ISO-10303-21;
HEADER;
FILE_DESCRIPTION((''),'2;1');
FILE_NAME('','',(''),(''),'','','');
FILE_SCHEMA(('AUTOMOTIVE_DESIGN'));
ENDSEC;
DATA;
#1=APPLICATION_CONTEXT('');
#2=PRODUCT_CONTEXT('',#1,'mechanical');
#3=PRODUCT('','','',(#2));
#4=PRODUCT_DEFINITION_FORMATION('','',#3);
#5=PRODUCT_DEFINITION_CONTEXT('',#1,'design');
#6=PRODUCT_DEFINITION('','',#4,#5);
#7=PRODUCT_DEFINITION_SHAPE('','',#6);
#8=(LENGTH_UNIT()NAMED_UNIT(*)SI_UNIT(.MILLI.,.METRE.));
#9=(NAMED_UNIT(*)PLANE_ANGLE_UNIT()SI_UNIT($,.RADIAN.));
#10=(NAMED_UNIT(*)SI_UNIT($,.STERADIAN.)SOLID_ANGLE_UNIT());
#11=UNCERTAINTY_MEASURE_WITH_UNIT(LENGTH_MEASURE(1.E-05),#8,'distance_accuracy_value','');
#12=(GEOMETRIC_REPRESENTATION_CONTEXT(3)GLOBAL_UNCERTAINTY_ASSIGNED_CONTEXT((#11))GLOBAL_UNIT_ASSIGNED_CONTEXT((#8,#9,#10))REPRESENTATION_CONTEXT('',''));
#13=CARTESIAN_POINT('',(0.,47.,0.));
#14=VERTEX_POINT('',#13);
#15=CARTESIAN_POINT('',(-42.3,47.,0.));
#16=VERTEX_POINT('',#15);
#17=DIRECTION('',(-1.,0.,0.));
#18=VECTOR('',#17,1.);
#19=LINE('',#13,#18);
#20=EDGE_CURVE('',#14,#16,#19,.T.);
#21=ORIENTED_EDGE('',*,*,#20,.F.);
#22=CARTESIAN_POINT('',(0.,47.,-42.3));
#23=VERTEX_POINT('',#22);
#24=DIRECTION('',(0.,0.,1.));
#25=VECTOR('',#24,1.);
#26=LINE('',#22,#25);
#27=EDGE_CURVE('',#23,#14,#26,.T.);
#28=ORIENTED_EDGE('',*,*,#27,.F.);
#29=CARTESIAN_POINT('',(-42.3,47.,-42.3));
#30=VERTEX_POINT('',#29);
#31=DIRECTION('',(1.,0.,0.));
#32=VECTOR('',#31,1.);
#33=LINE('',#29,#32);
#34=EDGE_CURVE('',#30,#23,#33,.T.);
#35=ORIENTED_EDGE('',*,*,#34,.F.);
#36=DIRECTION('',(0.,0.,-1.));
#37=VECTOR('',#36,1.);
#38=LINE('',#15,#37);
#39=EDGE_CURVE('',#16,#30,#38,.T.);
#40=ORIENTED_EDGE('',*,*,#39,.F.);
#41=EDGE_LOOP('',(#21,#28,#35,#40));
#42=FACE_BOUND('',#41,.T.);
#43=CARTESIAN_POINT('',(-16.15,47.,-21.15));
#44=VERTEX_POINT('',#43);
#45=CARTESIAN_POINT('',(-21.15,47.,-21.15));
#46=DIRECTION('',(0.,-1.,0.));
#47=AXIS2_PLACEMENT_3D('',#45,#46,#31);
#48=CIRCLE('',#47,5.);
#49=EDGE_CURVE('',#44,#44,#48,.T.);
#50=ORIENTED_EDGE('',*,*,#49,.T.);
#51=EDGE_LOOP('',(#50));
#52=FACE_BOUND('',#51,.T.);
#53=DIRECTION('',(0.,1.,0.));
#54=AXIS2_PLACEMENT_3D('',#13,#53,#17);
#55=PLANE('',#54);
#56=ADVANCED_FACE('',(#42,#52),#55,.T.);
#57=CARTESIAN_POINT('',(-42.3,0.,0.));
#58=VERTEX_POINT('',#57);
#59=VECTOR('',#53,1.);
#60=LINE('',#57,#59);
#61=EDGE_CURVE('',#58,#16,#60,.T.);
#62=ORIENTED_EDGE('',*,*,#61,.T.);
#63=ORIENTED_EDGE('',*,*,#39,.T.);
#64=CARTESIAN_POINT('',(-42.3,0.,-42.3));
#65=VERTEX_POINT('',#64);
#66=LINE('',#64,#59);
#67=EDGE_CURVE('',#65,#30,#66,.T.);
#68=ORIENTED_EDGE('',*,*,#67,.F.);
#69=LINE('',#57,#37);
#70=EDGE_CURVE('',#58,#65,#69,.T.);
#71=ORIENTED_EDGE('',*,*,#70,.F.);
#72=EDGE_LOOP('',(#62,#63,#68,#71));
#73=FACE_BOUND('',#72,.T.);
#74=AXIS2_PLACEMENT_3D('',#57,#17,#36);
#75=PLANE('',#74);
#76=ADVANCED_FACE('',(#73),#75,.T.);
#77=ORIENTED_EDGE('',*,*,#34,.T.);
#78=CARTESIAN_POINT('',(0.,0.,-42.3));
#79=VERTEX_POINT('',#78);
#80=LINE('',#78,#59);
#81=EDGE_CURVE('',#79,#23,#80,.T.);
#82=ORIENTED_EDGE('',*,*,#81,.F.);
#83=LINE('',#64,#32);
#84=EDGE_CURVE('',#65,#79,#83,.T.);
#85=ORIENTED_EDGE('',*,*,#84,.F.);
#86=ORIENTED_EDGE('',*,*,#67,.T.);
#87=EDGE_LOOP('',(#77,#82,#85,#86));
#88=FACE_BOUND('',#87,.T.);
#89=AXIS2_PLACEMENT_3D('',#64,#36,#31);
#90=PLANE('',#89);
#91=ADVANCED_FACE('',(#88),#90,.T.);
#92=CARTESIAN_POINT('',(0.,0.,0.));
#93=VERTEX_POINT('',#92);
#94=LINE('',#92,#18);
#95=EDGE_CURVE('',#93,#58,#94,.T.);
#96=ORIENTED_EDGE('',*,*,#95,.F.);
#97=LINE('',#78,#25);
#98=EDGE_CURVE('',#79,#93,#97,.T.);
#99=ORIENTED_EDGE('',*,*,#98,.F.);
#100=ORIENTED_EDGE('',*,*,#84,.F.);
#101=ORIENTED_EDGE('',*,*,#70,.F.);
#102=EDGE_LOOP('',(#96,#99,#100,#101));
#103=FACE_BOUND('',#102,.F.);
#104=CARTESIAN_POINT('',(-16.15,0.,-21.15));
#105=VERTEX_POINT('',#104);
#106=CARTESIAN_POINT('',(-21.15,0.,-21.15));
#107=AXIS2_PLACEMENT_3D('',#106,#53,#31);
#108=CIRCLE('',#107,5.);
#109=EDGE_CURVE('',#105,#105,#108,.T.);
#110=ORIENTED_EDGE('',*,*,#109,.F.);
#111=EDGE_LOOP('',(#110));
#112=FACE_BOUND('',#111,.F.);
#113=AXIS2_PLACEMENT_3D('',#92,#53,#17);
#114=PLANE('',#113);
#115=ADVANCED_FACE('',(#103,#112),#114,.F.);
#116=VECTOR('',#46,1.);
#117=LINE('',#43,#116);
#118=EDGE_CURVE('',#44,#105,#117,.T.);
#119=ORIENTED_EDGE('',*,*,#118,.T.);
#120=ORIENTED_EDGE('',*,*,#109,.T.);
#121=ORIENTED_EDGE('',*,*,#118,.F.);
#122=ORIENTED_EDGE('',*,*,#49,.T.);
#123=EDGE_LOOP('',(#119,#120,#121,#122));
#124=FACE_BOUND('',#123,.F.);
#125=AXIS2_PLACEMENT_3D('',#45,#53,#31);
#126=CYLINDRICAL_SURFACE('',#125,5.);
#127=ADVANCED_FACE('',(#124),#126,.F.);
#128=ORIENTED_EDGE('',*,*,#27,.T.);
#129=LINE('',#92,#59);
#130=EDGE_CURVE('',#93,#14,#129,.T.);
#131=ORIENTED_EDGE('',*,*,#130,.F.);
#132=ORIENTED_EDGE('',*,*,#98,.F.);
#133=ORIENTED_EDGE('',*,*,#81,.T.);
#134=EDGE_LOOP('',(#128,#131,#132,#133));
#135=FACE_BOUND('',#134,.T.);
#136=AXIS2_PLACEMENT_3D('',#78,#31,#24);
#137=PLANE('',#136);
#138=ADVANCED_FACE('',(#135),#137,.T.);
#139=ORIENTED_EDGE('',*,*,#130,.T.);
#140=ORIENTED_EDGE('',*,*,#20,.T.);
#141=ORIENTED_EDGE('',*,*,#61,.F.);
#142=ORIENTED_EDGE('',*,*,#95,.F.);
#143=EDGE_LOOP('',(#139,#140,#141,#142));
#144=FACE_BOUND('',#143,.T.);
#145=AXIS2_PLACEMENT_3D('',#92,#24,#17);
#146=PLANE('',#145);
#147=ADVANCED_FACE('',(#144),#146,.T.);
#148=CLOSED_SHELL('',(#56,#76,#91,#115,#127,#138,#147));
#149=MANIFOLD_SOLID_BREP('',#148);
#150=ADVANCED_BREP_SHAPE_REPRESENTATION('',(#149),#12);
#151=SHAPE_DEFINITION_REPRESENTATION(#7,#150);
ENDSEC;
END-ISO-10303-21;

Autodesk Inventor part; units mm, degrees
ref_plane "YZ Plane" through (0, 0, 0) normal (1, 0, 0) x (0, 1, 0)
ref_plane "XZ Plane" through (0, 0, 0) normal (0, 1, 0) x (-1, 0, 0)
ref_plane "XY Plane" through (0, 0, 0) normal (0, 0, 1) x (1, 0, 0)
sketch "Skizze1" plane through (0, 0, 0) normal (0, 1, 0) x (-1, 0, 0)
  line L0 (0, 0) -> (42.3, 0)
  line L1 (42.3, 0) -> (42.3, -42.3)
  line L2 (42.3, -42.3) -> (0, -42.3)
  line L3 (0, -42.3) -> (0, 0)
  dimension "d0" = 42.3
  dimension "d1" = 42.3
extrude "Extrusion1" add sketch "Skizze1" along normal blind 47
sketch "Skizze2" plane through (0, 47, 0) normal (0, 1, 0) x (1, 0, 0)
  line L0 (-42.3, 42.3) -> (-42.3, 0) projected
  line L1 (-42.3, 21.15) -> (0, 21.15)
  line L2 (0, 0) -> (0, 42.3) projected
  line L3 (-42.3, 0) -> (0, 0) projected
  line L4 (-21.15, 0) -> (-21.15, 42.3)
  line L5 (0, 42.3) -> (-42.3, 42.3) projected
  circle A0 centre (-21.15, 21.15) radius 5
  dimension "d4" = 10
extrude "Extrusion2" cut sketch "Skizze2" against normal blind 47 contours A0 L4 L1 | L1 L4 A0 | A0 L1 L4 | L1 A0 L4
properties part number "Motor"
